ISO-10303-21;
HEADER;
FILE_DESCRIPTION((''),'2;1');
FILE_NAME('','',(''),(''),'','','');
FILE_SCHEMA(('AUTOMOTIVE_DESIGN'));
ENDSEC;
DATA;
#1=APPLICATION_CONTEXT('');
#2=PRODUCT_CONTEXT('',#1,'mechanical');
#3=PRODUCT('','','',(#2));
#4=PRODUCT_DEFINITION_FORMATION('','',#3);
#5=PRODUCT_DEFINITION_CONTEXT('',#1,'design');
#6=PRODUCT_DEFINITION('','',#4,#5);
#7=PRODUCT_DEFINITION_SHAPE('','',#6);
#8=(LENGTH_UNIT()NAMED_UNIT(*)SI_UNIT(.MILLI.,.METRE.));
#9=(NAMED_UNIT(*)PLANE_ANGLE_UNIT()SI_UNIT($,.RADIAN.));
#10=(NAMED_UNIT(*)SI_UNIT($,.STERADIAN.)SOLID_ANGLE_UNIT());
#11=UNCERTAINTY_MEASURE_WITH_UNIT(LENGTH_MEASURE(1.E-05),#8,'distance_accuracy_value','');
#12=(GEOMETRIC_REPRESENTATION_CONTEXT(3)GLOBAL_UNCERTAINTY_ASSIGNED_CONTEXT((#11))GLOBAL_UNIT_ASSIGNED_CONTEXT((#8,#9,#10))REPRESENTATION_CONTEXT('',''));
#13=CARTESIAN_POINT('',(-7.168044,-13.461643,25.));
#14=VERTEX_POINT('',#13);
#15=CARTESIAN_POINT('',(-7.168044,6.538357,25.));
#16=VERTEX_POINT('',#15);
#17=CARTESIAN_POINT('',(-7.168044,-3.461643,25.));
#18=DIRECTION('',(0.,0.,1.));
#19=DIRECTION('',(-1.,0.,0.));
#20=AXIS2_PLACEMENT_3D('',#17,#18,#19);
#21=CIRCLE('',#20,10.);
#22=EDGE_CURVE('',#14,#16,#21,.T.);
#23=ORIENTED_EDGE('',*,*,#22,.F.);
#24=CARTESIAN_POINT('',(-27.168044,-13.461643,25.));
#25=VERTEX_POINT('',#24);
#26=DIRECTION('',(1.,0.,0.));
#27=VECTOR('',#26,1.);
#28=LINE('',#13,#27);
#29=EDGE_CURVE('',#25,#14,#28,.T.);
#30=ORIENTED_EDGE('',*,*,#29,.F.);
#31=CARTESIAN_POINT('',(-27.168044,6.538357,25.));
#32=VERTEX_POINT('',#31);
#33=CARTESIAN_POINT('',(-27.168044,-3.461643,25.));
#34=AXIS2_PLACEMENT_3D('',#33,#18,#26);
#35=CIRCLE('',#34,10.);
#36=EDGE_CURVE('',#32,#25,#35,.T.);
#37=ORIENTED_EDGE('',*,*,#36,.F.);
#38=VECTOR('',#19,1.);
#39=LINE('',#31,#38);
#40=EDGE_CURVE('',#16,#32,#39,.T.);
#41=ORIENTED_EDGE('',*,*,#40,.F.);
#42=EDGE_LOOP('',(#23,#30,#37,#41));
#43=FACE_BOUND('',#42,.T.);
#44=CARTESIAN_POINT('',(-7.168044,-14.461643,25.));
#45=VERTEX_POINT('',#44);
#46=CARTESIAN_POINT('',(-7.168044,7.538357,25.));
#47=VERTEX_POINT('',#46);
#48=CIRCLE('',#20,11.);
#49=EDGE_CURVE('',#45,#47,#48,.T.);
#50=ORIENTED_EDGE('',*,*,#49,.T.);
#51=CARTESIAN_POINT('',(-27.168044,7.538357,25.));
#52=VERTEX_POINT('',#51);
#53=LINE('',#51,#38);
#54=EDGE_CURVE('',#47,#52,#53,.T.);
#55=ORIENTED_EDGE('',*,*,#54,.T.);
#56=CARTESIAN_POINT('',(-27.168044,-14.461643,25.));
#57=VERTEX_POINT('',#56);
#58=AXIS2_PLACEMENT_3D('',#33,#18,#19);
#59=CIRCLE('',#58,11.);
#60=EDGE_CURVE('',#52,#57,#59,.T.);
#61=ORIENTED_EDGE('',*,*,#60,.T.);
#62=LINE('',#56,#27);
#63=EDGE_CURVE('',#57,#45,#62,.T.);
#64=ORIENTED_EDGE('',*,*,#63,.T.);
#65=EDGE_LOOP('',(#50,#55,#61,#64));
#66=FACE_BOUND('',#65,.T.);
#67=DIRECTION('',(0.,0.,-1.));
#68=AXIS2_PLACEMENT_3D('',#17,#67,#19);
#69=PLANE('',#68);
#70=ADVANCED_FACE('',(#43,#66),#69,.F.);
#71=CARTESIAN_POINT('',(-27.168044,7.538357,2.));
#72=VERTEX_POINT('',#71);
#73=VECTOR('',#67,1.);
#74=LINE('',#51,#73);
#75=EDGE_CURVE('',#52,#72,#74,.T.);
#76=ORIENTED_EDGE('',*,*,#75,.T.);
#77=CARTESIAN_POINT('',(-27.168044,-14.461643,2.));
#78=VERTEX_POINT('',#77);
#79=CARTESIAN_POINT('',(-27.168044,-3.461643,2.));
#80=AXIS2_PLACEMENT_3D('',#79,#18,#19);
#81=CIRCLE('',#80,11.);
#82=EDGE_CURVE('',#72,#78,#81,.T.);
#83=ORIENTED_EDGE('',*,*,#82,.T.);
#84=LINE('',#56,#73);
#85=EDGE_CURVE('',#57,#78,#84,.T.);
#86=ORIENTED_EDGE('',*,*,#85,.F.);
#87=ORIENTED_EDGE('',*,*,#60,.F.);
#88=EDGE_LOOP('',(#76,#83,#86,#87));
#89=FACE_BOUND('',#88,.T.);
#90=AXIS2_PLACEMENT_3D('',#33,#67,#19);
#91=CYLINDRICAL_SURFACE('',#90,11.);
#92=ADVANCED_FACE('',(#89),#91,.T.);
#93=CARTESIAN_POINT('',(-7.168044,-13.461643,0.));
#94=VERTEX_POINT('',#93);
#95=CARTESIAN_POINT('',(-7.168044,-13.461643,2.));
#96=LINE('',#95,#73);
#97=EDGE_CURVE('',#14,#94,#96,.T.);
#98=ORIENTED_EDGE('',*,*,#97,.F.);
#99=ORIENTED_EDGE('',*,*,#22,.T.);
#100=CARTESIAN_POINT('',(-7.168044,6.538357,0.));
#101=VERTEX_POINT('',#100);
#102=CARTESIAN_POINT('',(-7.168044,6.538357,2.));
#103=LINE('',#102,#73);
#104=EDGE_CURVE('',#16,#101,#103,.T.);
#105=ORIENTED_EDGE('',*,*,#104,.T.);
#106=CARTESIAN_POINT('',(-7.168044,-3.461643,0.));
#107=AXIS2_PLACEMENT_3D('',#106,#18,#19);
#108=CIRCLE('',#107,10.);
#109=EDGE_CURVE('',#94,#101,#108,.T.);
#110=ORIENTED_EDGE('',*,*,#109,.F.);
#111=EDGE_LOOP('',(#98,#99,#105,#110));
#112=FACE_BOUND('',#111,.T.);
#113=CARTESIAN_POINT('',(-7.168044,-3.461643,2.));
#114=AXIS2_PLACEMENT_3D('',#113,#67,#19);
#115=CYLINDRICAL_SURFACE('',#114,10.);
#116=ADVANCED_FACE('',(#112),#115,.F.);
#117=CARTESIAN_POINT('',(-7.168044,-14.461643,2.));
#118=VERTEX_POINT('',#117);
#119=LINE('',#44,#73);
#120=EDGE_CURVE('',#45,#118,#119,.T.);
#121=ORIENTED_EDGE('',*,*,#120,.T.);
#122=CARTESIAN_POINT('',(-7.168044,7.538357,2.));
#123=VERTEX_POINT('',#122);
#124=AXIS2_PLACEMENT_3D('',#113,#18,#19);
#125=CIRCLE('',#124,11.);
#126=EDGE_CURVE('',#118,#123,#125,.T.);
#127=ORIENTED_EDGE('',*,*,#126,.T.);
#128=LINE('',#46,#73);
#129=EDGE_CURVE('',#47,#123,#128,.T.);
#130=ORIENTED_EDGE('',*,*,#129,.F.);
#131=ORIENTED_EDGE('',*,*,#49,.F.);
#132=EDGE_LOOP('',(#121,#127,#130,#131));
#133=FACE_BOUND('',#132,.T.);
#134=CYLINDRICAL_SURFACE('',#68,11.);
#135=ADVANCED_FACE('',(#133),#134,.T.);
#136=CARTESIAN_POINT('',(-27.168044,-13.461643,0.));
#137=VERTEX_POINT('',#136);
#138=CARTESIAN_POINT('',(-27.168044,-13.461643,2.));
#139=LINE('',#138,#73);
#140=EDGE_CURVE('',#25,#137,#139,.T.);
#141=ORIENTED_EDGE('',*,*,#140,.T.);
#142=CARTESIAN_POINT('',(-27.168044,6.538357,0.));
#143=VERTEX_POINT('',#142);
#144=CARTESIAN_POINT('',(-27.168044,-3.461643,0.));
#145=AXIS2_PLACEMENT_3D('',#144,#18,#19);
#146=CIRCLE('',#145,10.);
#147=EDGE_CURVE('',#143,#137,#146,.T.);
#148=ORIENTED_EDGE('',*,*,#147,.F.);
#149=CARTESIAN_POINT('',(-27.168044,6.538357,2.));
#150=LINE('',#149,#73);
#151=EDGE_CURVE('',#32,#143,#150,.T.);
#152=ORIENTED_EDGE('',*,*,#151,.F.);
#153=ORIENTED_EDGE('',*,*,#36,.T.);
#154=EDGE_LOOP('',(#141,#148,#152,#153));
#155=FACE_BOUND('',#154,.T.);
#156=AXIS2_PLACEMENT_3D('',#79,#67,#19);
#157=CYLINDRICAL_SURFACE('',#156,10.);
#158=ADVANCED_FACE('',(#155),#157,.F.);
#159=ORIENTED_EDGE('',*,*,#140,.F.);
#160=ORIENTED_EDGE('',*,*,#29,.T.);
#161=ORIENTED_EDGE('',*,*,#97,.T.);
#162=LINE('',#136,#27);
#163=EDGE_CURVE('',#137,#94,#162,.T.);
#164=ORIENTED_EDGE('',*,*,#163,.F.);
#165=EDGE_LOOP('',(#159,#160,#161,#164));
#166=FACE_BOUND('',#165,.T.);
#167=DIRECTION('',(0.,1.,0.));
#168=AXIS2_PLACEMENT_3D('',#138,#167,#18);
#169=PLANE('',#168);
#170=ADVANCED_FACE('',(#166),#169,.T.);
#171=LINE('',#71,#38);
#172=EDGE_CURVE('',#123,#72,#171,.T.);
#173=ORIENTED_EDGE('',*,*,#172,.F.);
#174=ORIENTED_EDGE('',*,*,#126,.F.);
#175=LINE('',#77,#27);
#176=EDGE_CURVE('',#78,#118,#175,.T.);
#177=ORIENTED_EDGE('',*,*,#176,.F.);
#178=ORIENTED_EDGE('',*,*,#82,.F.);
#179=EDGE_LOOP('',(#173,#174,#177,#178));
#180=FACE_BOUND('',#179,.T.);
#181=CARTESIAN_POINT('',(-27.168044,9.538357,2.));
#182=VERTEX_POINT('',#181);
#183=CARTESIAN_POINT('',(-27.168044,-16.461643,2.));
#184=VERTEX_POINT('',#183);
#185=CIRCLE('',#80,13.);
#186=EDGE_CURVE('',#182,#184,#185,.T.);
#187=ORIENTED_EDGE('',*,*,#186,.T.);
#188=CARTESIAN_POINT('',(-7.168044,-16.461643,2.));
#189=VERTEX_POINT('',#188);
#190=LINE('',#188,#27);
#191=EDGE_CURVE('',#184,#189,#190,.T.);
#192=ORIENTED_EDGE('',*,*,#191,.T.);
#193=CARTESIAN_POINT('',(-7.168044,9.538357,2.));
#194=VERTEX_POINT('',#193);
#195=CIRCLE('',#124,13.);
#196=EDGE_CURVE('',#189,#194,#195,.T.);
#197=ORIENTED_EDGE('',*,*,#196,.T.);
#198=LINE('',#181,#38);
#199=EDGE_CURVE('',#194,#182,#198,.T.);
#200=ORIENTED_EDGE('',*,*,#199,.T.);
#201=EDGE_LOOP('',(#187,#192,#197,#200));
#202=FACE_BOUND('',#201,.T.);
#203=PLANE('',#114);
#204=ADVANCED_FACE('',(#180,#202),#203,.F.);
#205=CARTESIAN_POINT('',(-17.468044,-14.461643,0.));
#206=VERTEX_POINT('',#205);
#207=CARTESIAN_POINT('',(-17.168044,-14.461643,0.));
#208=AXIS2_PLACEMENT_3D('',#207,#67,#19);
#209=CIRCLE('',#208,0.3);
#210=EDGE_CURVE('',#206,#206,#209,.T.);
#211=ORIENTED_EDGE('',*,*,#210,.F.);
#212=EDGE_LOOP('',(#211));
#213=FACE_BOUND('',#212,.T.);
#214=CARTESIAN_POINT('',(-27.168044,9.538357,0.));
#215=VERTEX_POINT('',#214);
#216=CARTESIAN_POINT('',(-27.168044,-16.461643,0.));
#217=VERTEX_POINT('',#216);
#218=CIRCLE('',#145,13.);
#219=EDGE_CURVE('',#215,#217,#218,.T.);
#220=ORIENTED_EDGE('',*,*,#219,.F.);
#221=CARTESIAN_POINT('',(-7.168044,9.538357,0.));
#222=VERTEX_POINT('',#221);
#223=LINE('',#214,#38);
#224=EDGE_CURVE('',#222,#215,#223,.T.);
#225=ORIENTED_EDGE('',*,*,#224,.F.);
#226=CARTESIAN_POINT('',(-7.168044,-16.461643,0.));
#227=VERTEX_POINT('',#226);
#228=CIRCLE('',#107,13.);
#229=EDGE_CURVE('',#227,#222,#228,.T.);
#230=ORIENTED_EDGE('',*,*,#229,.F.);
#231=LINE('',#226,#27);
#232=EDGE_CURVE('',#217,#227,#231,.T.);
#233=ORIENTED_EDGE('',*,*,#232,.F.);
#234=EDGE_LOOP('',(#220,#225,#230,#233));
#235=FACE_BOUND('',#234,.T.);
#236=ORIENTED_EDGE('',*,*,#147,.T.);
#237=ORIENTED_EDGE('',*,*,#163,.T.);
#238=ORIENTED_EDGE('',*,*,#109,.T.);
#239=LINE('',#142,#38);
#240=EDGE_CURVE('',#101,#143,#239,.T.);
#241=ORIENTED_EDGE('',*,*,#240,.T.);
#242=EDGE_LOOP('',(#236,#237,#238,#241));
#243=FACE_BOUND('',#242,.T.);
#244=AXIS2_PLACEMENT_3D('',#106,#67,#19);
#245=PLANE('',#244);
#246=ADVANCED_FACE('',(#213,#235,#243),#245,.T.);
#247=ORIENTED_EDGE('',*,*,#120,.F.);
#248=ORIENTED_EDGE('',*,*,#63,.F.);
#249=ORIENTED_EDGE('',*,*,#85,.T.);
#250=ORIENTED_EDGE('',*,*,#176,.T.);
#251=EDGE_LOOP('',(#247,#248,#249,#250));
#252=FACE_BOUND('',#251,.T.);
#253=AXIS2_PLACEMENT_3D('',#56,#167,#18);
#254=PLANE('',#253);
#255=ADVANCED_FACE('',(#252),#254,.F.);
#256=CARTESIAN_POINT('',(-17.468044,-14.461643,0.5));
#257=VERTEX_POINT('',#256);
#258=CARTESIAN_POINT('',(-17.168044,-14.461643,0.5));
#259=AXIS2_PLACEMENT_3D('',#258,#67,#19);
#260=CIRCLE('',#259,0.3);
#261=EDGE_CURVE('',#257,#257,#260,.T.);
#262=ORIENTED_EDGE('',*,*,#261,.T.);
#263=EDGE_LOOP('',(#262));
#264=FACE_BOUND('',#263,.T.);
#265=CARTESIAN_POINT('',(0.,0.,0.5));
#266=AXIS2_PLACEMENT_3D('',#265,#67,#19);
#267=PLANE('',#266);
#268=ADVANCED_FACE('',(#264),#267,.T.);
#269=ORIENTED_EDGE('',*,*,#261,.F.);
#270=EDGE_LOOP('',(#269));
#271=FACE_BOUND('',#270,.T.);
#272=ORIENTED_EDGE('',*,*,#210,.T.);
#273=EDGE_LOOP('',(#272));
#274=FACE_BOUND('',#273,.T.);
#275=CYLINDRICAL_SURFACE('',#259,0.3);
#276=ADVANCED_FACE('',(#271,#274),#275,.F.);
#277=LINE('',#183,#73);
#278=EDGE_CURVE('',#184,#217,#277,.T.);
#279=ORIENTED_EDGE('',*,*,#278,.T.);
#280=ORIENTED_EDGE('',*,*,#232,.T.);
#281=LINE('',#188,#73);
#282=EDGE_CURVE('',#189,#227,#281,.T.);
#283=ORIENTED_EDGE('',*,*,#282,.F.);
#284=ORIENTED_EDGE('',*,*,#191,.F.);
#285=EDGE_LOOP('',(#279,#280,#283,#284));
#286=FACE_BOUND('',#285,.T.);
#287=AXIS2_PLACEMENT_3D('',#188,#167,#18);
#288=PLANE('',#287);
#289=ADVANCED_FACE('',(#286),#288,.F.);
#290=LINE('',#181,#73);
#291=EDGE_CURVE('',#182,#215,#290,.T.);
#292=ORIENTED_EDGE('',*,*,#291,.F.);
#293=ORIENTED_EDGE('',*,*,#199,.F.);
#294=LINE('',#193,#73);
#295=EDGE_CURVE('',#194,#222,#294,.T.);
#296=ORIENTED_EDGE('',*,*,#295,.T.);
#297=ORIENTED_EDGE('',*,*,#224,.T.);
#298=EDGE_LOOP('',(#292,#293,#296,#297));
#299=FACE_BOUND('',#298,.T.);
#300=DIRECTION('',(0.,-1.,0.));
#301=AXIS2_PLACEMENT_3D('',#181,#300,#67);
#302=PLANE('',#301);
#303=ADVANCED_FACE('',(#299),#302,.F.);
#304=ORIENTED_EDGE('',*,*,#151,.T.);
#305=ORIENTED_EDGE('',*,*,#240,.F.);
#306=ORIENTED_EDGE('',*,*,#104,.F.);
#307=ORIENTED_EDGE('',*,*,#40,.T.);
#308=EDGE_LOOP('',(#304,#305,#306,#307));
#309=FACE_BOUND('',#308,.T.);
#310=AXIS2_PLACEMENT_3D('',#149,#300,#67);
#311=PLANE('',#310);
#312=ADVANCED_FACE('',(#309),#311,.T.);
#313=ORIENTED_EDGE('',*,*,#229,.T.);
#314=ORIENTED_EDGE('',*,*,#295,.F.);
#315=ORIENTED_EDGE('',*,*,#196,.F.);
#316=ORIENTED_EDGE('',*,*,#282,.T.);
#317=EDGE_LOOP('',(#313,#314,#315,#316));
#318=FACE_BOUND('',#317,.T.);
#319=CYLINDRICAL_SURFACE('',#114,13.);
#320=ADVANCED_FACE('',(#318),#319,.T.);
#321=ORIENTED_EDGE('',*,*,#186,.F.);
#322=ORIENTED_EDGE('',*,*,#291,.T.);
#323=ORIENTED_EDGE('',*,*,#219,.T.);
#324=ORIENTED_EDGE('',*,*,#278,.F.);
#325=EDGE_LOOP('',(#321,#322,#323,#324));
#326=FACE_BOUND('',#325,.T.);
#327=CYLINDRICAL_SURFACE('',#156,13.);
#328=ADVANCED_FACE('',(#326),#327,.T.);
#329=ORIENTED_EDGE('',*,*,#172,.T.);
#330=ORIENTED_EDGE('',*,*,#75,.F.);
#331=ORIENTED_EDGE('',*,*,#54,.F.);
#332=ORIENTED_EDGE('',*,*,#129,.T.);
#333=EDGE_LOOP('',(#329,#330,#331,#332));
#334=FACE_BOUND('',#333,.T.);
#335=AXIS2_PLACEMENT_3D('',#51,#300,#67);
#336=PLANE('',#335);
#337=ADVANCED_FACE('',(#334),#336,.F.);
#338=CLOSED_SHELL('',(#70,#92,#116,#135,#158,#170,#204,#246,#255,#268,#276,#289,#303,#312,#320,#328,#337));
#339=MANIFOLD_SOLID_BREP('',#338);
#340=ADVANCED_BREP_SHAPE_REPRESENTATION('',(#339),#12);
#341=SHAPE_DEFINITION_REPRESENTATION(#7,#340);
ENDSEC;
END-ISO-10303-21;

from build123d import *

# Parameters (mm, degrees)
EXTRUDE_1_DEPTH     = 2
EXTRUDE_2_DEPTH     = 23
SKETCH_4_R          = 0.3
CUT_EXTRUDE_2_DEPTH = 0.5


with BuildPart() as part:
    # 草图1 → 凸台-拉伸1 (new body)
    with BuildSketch(Plane.XY):
        with BuildLine():
            Line((-7.168044136, -16.461643491), (-27.168044136, -16.461643491))
            ThreePointArc((-27.168044136, -16.461643491), (-40.168044136, -3.461643491), (-27.168044136, 9.538356509))
            Line((-27.168044136, 9.538356509), (-7.168044136, 9.538356509))
            ThreePointArc((-7.168044136, 9.538356509), (5.831955864, -3.461643491), (-7.168044136, -16.461643491))
        make_face()
        with BuildLine():
            Line((-27.168044136, -13.461643491), (-7.168044136, -13.461643491))
            ThreePointArc((-7.168044136, -13.461643491), (2.831955864, -3.461643491), (-7.168044136, 6.538356509))
            Line((-7.168044136, 6.538356509), (-27.168044136, 6.538356509))
            ThreePointArc((-27.168044136, 6.538356509), (-37.168044136, -3.461643491), (-27.168044136, -13.461643491))
        make_face(mode=Mode.SUBTRACT)
    extrude(amount=EXTRUDE_1_DEPTH)

    # 草图2 → 凸台-拉伸2 (add)
    with BuildSketch(Plane.XY.offset(2)):
        with BuildLine():
            Line((-27.168044136, 7.538356509), (-7.168044136, 7.538356509))
            ThreePointArc((-7.168044136, 7.538356509), (3.831955864, -3.461643491), (-7.168044136, -14.461643491))
            Line((-7.168044136, -14.461643491), (-27.168044136, -14.461643491))
            ThreePointArc((-27.168044136, -14.461643491), (-38.168044136, -3.461643491), (-27.168044136, 7.538356509))
        make_face()
        with BuildLine():
            Line((-27.168044136, 6.538356509), (-7.168044136, 6.538356509))
            ThreePointArc((-7.168044136, 6.538356509), (2.831955864, -3.461643491), (-7.168044136, -13.461643491))
            Line((-7.168044136, -13.461643491), (-27.168044136, -13.461643491))
            ThreePointArc((-27.168044136, -13.461643491), (-37.168044136, -3.461643491), (-27.168044136, 6.538356509))
        make_face(mode=Mode.SUBTRACT)
    extrude(amount=EXTRUDE_2_DEPTH)

    # 草图4 → 切除-拉伸2 (cut)
    with BuildSketch(Plane(origin=(0, 0, 0), x_dir=(-1, 0, 0), z_dir=(0, 0, -1))):
        with Locations((17.168044136, -14.461643491)):
            Circle(SKETCH_4_R)
    extrude(amount=-CUT_EXTRUDE_2_DEPTH, mode=Mode.SUBTRACT)


solid = part.part
